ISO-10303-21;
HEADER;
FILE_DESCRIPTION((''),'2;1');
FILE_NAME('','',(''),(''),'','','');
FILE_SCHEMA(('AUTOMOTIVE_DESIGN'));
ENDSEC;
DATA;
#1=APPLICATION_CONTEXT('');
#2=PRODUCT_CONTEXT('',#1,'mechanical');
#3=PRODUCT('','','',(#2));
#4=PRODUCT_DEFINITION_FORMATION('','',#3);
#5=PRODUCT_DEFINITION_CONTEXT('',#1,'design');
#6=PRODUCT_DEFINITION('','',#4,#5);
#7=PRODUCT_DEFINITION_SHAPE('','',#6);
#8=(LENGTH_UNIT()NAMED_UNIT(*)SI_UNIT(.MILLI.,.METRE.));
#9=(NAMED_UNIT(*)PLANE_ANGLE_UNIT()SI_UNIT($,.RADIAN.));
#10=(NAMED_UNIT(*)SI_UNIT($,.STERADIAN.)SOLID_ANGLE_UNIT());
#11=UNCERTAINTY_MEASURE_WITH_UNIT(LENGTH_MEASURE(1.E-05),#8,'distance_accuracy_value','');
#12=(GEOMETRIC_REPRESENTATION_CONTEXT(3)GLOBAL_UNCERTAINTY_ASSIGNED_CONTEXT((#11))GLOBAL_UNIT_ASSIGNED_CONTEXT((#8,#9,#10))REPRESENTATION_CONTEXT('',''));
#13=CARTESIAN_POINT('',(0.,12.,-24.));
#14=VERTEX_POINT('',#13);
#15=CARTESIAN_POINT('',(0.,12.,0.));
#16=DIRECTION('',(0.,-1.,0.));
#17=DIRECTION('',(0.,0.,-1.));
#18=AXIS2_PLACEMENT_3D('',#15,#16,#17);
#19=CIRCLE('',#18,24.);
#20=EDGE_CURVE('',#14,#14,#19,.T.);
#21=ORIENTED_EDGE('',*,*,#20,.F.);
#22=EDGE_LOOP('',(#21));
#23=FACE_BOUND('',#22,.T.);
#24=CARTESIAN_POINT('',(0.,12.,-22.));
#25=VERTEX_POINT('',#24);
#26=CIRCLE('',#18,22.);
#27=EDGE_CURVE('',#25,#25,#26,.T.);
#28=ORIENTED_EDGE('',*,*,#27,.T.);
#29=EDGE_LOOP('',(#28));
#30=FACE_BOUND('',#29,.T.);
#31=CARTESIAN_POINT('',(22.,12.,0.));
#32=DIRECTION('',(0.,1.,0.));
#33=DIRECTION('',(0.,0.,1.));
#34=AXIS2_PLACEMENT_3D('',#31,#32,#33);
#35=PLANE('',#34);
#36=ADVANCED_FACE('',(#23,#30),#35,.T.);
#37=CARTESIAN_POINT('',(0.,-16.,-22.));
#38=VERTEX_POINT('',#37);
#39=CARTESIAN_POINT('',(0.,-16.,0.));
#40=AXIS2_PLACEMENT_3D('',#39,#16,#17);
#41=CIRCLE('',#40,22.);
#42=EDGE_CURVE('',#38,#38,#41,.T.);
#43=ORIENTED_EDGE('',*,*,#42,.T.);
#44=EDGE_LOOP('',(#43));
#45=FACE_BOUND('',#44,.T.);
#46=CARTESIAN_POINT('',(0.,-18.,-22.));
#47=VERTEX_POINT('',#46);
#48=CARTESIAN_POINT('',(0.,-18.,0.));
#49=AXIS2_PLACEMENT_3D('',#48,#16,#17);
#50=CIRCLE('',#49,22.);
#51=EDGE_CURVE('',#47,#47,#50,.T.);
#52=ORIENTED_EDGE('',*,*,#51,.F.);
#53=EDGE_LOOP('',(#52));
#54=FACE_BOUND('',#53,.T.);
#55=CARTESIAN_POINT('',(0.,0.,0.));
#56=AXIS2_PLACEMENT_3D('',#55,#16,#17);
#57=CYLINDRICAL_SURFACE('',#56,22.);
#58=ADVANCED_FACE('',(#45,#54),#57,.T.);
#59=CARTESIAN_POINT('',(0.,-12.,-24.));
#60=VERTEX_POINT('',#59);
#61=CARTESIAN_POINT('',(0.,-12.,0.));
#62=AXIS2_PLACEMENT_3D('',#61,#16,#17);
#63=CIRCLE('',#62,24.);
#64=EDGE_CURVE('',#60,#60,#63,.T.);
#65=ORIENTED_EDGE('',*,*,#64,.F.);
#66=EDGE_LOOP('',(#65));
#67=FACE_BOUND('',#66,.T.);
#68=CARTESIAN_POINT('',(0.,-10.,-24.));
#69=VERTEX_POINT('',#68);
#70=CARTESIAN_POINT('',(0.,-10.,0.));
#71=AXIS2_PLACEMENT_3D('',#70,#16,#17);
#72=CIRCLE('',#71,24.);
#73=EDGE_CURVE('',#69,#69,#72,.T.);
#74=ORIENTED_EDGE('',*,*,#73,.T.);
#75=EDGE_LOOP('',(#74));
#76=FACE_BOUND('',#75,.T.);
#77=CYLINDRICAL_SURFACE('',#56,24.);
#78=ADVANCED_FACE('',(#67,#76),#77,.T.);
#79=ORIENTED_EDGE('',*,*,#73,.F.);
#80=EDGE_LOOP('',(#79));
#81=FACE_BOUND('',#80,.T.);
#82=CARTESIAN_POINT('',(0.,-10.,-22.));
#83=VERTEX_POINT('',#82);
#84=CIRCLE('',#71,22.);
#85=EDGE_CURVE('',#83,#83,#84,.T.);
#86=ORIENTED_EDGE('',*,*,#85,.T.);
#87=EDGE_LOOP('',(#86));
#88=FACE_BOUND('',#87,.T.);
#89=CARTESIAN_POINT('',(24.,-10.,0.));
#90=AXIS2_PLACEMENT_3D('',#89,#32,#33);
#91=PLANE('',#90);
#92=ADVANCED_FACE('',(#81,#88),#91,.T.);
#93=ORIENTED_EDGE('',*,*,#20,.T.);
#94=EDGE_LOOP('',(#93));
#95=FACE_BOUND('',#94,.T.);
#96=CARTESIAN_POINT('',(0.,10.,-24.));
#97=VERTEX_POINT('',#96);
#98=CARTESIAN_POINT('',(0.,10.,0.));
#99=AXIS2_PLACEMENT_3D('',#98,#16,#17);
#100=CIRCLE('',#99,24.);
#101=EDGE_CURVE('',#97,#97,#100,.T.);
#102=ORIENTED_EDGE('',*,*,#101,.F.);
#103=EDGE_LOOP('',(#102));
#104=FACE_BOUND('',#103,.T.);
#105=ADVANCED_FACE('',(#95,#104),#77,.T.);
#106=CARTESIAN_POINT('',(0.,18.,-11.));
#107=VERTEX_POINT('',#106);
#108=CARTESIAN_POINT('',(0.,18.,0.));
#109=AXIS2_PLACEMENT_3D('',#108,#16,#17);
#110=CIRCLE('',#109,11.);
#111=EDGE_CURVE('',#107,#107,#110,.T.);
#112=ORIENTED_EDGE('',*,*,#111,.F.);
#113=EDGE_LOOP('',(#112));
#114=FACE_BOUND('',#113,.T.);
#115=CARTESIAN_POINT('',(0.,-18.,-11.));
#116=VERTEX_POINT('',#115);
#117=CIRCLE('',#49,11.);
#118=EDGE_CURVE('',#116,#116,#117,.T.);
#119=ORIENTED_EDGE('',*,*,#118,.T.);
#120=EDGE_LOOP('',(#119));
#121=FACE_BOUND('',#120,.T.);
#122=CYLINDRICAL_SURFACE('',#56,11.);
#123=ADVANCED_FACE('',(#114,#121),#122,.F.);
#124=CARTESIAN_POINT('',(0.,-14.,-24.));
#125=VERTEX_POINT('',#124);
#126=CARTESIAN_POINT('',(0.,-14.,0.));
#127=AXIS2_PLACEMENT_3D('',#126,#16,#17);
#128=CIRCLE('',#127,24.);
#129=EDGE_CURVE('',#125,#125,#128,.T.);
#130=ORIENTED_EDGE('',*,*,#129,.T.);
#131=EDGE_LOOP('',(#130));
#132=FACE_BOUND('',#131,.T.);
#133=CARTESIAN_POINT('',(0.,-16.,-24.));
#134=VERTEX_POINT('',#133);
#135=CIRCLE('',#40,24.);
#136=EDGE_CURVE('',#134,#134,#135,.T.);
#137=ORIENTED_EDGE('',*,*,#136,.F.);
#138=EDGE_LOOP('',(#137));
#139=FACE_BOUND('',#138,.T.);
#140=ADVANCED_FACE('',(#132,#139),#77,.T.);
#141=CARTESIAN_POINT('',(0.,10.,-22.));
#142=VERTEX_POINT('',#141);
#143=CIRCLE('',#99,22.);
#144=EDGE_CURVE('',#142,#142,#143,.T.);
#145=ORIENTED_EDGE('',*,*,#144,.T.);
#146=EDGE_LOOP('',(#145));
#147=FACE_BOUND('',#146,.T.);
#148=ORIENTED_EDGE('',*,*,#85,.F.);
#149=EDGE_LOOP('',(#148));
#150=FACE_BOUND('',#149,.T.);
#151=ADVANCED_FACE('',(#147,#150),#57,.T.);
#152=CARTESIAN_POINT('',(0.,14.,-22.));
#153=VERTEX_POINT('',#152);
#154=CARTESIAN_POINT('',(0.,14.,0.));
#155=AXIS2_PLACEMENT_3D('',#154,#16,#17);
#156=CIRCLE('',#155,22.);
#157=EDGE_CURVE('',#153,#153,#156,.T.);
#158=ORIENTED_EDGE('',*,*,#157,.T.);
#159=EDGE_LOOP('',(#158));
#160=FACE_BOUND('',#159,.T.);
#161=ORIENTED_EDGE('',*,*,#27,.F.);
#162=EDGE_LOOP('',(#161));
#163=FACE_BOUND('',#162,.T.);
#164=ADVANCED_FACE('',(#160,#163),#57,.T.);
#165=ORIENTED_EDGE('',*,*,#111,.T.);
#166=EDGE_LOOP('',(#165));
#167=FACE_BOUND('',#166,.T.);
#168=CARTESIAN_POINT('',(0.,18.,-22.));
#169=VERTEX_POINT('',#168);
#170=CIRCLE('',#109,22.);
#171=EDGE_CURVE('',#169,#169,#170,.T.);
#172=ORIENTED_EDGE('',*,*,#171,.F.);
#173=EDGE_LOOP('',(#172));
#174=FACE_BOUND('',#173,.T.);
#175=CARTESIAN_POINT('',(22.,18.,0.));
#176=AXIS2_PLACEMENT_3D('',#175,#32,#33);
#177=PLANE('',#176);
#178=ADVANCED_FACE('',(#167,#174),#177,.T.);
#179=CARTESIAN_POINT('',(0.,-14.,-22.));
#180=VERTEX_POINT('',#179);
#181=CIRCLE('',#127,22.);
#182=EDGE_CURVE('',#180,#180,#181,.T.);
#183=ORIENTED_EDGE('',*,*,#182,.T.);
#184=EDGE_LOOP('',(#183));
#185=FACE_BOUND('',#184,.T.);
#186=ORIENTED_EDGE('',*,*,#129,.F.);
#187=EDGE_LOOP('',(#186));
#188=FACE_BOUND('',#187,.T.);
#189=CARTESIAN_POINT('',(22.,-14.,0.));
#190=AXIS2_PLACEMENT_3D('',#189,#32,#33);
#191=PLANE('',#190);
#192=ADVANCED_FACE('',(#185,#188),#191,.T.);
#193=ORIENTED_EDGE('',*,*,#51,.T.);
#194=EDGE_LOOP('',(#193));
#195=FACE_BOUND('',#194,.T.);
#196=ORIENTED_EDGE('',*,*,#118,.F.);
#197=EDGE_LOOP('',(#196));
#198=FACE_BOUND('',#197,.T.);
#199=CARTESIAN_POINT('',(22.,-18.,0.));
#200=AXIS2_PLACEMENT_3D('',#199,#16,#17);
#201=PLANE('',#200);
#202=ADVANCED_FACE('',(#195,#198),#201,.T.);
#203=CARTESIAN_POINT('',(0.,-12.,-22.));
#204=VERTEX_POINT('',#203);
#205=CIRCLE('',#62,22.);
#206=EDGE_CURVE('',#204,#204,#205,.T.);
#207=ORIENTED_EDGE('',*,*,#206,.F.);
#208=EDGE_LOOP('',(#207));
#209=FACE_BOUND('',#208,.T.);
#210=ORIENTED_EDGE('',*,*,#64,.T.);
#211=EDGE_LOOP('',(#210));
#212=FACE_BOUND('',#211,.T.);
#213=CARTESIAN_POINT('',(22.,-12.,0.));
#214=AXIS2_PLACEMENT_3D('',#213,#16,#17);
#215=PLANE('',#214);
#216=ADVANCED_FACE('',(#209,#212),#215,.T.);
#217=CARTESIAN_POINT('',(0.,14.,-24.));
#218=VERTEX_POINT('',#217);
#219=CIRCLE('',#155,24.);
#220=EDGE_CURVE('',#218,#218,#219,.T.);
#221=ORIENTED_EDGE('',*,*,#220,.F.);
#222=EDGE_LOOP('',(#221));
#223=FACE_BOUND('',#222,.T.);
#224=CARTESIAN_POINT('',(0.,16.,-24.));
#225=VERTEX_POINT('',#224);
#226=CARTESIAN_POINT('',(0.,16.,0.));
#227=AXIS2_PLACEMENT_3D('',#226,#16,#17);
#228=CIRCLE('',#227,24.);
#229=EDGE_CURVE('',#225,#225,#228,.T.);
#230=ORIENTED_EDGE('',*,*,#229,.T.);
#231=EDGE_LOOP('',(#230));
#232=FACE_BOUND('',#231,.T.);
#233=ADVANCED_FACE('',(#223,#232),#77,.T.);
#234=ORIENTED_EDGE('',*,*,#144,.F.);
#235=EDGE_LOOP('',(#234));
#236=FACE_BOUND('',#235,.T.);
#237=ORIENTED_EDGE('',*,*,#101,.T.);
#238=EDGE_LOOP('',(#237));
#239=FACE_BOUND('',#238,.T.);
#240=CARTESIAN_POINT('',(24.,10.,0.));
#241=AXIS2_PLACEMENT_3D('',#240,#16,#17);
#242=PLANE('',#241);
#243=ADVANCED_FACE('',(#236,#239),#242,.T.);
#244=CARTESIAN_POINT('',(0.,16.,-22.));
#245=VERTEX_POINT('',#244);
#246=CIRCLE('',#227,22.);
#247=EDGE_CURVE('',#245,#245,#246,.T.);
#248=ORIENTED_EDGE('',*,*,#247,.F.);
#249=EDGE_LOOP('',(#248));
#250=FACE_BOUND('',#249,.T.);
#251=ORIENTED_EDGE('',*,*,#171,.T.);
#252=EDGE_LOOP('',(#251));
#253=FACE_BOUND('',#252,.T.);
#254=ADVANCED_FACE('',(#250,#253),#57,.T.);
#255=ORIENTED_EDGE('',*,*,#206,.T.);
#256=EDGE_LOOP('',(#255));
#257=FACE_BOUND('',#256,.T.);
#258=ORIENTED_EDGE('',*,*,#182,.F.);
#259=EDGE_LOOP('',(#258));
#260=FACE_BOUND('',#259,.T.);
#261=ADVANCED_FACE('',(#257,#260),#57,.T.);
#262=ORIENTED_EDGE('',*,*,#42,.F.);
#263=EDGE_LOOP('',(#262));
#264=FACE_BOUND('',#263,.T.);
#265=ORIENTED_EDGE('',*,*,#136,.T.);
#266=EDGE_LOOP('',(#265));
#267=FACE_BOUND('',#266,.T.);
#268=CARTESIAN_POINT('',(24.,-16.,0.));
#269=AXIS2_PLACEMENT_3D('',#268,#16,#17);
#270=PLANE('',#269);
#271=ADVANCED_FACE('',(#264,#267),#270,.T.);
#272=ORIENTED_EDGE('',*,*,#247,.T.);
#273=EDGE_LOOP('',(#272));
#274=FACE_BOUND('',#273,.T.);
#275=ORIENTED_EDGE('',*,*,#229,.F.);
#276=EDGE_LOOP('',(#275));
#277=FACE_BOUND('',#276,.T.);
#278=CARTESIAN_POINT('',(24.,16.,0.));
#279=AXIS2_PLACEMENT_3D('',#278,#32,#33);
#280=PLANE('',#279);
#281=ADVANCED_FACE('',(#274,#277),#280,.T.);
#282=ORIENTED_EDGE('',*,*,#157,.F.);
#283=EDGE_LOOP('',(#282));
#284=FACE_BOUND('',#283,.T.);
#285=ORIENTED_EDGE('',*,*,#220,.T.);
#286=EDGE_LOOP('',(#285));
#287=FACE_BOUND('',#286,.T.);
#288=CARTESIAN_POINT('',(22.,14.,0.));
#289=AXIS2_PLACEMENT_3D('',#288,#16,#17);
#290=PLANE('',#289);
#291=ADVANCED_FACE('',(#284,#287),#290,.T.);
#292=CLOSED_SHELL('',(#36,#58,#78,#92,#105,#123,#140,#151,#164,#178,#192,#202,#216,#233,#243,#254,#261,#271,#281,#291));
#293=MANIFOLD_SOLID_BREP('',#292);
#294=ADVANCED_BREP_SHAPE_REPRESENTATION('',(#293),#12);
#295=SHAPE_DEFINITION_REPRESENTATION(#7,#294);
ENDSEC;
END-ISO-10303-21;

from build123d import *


with BuildPart() as part:
    # Esquisse1 → Révolution1 (revolve)
    with BuildSketch(Plane.XY, mode=Mode.PRIVATE) as r_volution1_sk:
        Polygon((22, 12), (24, 12), (24, 10), (22, 10), (22, -10), (24, -10), (24, -12), (22, -12), (22, -14), (24, -14), (24, -16), (22, -16), (22, -18), (11, -18), (11, 18), (22, 18), (22, 16), (24, 16), (24, 14), (22, 14), align=None)
    revolve(r_volution1_sk.sketch.rotate(Axis((0, 0, 0), (0, 1, 0)), 90), axis=Axis((0, 0, 0), (0, 1, 0)))


solid = part.part
